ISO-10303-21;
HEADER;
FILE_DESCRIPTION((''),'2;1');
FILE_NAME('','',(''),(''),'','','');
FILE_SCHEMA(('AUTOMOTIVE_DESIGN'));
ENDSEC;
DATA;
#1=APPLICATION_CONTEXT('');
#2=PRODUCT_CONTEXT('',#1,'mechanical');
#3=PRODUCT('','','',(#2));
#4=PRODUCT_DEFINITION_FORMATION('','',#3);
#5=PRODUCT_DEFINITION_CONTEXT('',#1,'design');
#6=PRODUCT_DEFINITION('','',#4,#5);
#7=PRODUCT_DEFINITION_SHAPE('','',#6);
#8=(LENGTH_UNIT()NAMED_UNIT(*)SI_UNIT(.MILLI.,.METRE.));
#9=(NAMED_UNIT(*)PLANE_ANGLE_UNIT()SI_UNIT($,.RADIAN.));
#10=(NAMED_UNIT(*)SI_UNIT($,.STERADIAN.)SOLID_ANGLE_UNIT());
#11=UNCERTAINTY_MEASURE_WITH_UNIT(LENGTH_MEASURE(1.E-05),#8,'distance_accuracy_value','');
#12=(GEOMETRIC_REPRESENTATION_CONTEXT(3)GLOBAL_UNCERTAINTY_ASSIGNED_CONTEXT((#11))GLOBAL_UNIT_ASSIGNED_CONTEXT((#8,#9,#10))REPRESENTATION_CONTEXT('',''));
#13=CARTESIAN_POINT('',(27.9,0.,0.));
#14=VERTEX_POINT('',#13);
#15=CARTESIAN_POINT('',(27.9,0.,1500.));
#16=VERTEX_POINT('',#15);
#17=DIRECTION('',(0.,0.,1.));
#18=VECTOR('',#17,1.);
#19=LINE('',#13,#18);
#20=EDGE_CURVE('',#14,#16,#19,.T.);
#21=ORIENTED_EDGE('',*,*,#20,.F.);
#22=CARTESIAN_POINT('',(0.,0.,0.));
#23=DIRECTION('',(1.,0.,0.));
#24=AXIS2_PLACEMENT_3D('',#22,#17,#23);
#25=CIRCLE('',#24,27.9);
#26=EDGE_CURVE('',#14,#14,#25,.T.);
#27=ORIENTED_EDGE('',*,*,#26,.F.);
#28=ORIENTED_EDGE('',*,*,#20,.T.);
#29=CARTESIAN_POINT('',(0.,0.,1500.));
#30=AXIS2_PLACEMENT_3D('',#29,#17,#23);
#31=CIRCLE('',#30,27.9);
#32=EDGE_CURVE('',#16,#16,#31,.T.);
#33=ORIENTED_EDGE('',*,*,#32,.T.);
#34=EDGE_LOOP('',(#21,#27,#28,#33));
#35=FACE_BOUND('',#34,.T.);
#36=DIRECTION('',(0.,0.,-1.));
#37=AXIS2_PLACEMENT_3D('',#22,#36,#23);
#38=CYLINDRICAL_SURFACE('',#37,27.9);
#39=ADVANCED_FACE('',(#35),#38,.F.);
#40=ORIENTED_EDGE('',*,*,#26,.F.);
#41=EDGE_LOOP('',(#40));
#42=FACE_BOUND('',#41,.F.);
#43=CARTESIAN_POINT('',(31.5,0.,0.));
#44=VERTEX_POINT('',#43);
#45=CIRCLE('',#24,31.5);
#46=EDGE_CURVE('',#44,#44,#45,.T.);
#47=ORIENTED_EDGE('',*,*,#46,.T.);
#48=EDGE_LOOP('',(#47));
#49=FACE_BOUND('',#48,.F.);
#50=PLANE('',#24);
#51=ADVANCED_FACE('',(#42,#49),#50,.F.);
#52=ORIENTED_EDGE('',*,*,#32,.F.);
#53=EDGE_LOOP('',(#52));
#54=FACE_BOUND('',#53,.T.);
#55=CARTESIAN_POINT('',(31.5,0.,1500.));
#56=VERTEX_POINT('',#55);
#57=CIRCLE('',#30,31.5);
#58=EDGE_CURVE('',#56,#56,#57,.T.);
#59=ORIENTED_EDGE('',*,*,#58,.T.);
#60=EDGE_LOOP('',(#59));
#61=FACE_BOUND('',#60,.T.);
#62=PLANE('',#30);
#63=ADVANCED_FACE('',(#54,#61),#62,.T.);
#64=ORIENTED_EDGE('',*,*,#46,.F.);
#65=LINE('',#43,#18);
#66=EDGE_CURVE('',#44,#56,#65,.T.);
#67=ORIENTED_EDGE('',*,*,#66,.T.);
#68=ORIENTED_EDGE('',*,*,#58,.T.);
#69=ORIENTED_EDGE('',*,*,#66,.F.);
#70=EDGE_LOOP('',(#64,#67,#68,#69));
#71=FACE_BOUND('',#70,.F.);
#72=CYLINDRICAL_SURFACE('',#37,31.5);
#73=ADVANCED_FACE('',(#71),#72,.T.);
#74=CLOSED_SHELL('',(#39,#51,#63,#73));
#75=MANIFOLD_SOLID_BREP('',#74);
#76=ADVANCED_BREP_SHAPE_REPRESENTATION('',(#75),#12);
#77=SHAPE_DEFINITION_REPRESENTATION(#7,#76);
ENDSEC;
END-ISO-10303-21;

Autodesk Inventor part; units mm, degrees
ref_plane "YZ Plane" through (0, 0, 0) normal (1, 0, 0) x (0, 1, 0)
ref_plane "XZ Plane" through (0, 0, 0) normal (0, 1, 0) x (-1, 0, 0)
ref_plane "XY Plane" through (0, 0, 0) normal (0, 0, 1) x (1, 0, 0)
sketch "Sketch1" plane through (0, 0, 0) normal (0, 0, 1) x (1, 0, 0)
  circle A0 centre (0, 0) radius 31.5
  circle A1 centre (0, 0) radius 27.9
  dimension "d0" = 63
  dimension "d1" = 3.6
extrude "Extrusion1" add sketch "Sketch1" along normal blind 1500
properties part number "1.5m_GENERIC_FLAT"
